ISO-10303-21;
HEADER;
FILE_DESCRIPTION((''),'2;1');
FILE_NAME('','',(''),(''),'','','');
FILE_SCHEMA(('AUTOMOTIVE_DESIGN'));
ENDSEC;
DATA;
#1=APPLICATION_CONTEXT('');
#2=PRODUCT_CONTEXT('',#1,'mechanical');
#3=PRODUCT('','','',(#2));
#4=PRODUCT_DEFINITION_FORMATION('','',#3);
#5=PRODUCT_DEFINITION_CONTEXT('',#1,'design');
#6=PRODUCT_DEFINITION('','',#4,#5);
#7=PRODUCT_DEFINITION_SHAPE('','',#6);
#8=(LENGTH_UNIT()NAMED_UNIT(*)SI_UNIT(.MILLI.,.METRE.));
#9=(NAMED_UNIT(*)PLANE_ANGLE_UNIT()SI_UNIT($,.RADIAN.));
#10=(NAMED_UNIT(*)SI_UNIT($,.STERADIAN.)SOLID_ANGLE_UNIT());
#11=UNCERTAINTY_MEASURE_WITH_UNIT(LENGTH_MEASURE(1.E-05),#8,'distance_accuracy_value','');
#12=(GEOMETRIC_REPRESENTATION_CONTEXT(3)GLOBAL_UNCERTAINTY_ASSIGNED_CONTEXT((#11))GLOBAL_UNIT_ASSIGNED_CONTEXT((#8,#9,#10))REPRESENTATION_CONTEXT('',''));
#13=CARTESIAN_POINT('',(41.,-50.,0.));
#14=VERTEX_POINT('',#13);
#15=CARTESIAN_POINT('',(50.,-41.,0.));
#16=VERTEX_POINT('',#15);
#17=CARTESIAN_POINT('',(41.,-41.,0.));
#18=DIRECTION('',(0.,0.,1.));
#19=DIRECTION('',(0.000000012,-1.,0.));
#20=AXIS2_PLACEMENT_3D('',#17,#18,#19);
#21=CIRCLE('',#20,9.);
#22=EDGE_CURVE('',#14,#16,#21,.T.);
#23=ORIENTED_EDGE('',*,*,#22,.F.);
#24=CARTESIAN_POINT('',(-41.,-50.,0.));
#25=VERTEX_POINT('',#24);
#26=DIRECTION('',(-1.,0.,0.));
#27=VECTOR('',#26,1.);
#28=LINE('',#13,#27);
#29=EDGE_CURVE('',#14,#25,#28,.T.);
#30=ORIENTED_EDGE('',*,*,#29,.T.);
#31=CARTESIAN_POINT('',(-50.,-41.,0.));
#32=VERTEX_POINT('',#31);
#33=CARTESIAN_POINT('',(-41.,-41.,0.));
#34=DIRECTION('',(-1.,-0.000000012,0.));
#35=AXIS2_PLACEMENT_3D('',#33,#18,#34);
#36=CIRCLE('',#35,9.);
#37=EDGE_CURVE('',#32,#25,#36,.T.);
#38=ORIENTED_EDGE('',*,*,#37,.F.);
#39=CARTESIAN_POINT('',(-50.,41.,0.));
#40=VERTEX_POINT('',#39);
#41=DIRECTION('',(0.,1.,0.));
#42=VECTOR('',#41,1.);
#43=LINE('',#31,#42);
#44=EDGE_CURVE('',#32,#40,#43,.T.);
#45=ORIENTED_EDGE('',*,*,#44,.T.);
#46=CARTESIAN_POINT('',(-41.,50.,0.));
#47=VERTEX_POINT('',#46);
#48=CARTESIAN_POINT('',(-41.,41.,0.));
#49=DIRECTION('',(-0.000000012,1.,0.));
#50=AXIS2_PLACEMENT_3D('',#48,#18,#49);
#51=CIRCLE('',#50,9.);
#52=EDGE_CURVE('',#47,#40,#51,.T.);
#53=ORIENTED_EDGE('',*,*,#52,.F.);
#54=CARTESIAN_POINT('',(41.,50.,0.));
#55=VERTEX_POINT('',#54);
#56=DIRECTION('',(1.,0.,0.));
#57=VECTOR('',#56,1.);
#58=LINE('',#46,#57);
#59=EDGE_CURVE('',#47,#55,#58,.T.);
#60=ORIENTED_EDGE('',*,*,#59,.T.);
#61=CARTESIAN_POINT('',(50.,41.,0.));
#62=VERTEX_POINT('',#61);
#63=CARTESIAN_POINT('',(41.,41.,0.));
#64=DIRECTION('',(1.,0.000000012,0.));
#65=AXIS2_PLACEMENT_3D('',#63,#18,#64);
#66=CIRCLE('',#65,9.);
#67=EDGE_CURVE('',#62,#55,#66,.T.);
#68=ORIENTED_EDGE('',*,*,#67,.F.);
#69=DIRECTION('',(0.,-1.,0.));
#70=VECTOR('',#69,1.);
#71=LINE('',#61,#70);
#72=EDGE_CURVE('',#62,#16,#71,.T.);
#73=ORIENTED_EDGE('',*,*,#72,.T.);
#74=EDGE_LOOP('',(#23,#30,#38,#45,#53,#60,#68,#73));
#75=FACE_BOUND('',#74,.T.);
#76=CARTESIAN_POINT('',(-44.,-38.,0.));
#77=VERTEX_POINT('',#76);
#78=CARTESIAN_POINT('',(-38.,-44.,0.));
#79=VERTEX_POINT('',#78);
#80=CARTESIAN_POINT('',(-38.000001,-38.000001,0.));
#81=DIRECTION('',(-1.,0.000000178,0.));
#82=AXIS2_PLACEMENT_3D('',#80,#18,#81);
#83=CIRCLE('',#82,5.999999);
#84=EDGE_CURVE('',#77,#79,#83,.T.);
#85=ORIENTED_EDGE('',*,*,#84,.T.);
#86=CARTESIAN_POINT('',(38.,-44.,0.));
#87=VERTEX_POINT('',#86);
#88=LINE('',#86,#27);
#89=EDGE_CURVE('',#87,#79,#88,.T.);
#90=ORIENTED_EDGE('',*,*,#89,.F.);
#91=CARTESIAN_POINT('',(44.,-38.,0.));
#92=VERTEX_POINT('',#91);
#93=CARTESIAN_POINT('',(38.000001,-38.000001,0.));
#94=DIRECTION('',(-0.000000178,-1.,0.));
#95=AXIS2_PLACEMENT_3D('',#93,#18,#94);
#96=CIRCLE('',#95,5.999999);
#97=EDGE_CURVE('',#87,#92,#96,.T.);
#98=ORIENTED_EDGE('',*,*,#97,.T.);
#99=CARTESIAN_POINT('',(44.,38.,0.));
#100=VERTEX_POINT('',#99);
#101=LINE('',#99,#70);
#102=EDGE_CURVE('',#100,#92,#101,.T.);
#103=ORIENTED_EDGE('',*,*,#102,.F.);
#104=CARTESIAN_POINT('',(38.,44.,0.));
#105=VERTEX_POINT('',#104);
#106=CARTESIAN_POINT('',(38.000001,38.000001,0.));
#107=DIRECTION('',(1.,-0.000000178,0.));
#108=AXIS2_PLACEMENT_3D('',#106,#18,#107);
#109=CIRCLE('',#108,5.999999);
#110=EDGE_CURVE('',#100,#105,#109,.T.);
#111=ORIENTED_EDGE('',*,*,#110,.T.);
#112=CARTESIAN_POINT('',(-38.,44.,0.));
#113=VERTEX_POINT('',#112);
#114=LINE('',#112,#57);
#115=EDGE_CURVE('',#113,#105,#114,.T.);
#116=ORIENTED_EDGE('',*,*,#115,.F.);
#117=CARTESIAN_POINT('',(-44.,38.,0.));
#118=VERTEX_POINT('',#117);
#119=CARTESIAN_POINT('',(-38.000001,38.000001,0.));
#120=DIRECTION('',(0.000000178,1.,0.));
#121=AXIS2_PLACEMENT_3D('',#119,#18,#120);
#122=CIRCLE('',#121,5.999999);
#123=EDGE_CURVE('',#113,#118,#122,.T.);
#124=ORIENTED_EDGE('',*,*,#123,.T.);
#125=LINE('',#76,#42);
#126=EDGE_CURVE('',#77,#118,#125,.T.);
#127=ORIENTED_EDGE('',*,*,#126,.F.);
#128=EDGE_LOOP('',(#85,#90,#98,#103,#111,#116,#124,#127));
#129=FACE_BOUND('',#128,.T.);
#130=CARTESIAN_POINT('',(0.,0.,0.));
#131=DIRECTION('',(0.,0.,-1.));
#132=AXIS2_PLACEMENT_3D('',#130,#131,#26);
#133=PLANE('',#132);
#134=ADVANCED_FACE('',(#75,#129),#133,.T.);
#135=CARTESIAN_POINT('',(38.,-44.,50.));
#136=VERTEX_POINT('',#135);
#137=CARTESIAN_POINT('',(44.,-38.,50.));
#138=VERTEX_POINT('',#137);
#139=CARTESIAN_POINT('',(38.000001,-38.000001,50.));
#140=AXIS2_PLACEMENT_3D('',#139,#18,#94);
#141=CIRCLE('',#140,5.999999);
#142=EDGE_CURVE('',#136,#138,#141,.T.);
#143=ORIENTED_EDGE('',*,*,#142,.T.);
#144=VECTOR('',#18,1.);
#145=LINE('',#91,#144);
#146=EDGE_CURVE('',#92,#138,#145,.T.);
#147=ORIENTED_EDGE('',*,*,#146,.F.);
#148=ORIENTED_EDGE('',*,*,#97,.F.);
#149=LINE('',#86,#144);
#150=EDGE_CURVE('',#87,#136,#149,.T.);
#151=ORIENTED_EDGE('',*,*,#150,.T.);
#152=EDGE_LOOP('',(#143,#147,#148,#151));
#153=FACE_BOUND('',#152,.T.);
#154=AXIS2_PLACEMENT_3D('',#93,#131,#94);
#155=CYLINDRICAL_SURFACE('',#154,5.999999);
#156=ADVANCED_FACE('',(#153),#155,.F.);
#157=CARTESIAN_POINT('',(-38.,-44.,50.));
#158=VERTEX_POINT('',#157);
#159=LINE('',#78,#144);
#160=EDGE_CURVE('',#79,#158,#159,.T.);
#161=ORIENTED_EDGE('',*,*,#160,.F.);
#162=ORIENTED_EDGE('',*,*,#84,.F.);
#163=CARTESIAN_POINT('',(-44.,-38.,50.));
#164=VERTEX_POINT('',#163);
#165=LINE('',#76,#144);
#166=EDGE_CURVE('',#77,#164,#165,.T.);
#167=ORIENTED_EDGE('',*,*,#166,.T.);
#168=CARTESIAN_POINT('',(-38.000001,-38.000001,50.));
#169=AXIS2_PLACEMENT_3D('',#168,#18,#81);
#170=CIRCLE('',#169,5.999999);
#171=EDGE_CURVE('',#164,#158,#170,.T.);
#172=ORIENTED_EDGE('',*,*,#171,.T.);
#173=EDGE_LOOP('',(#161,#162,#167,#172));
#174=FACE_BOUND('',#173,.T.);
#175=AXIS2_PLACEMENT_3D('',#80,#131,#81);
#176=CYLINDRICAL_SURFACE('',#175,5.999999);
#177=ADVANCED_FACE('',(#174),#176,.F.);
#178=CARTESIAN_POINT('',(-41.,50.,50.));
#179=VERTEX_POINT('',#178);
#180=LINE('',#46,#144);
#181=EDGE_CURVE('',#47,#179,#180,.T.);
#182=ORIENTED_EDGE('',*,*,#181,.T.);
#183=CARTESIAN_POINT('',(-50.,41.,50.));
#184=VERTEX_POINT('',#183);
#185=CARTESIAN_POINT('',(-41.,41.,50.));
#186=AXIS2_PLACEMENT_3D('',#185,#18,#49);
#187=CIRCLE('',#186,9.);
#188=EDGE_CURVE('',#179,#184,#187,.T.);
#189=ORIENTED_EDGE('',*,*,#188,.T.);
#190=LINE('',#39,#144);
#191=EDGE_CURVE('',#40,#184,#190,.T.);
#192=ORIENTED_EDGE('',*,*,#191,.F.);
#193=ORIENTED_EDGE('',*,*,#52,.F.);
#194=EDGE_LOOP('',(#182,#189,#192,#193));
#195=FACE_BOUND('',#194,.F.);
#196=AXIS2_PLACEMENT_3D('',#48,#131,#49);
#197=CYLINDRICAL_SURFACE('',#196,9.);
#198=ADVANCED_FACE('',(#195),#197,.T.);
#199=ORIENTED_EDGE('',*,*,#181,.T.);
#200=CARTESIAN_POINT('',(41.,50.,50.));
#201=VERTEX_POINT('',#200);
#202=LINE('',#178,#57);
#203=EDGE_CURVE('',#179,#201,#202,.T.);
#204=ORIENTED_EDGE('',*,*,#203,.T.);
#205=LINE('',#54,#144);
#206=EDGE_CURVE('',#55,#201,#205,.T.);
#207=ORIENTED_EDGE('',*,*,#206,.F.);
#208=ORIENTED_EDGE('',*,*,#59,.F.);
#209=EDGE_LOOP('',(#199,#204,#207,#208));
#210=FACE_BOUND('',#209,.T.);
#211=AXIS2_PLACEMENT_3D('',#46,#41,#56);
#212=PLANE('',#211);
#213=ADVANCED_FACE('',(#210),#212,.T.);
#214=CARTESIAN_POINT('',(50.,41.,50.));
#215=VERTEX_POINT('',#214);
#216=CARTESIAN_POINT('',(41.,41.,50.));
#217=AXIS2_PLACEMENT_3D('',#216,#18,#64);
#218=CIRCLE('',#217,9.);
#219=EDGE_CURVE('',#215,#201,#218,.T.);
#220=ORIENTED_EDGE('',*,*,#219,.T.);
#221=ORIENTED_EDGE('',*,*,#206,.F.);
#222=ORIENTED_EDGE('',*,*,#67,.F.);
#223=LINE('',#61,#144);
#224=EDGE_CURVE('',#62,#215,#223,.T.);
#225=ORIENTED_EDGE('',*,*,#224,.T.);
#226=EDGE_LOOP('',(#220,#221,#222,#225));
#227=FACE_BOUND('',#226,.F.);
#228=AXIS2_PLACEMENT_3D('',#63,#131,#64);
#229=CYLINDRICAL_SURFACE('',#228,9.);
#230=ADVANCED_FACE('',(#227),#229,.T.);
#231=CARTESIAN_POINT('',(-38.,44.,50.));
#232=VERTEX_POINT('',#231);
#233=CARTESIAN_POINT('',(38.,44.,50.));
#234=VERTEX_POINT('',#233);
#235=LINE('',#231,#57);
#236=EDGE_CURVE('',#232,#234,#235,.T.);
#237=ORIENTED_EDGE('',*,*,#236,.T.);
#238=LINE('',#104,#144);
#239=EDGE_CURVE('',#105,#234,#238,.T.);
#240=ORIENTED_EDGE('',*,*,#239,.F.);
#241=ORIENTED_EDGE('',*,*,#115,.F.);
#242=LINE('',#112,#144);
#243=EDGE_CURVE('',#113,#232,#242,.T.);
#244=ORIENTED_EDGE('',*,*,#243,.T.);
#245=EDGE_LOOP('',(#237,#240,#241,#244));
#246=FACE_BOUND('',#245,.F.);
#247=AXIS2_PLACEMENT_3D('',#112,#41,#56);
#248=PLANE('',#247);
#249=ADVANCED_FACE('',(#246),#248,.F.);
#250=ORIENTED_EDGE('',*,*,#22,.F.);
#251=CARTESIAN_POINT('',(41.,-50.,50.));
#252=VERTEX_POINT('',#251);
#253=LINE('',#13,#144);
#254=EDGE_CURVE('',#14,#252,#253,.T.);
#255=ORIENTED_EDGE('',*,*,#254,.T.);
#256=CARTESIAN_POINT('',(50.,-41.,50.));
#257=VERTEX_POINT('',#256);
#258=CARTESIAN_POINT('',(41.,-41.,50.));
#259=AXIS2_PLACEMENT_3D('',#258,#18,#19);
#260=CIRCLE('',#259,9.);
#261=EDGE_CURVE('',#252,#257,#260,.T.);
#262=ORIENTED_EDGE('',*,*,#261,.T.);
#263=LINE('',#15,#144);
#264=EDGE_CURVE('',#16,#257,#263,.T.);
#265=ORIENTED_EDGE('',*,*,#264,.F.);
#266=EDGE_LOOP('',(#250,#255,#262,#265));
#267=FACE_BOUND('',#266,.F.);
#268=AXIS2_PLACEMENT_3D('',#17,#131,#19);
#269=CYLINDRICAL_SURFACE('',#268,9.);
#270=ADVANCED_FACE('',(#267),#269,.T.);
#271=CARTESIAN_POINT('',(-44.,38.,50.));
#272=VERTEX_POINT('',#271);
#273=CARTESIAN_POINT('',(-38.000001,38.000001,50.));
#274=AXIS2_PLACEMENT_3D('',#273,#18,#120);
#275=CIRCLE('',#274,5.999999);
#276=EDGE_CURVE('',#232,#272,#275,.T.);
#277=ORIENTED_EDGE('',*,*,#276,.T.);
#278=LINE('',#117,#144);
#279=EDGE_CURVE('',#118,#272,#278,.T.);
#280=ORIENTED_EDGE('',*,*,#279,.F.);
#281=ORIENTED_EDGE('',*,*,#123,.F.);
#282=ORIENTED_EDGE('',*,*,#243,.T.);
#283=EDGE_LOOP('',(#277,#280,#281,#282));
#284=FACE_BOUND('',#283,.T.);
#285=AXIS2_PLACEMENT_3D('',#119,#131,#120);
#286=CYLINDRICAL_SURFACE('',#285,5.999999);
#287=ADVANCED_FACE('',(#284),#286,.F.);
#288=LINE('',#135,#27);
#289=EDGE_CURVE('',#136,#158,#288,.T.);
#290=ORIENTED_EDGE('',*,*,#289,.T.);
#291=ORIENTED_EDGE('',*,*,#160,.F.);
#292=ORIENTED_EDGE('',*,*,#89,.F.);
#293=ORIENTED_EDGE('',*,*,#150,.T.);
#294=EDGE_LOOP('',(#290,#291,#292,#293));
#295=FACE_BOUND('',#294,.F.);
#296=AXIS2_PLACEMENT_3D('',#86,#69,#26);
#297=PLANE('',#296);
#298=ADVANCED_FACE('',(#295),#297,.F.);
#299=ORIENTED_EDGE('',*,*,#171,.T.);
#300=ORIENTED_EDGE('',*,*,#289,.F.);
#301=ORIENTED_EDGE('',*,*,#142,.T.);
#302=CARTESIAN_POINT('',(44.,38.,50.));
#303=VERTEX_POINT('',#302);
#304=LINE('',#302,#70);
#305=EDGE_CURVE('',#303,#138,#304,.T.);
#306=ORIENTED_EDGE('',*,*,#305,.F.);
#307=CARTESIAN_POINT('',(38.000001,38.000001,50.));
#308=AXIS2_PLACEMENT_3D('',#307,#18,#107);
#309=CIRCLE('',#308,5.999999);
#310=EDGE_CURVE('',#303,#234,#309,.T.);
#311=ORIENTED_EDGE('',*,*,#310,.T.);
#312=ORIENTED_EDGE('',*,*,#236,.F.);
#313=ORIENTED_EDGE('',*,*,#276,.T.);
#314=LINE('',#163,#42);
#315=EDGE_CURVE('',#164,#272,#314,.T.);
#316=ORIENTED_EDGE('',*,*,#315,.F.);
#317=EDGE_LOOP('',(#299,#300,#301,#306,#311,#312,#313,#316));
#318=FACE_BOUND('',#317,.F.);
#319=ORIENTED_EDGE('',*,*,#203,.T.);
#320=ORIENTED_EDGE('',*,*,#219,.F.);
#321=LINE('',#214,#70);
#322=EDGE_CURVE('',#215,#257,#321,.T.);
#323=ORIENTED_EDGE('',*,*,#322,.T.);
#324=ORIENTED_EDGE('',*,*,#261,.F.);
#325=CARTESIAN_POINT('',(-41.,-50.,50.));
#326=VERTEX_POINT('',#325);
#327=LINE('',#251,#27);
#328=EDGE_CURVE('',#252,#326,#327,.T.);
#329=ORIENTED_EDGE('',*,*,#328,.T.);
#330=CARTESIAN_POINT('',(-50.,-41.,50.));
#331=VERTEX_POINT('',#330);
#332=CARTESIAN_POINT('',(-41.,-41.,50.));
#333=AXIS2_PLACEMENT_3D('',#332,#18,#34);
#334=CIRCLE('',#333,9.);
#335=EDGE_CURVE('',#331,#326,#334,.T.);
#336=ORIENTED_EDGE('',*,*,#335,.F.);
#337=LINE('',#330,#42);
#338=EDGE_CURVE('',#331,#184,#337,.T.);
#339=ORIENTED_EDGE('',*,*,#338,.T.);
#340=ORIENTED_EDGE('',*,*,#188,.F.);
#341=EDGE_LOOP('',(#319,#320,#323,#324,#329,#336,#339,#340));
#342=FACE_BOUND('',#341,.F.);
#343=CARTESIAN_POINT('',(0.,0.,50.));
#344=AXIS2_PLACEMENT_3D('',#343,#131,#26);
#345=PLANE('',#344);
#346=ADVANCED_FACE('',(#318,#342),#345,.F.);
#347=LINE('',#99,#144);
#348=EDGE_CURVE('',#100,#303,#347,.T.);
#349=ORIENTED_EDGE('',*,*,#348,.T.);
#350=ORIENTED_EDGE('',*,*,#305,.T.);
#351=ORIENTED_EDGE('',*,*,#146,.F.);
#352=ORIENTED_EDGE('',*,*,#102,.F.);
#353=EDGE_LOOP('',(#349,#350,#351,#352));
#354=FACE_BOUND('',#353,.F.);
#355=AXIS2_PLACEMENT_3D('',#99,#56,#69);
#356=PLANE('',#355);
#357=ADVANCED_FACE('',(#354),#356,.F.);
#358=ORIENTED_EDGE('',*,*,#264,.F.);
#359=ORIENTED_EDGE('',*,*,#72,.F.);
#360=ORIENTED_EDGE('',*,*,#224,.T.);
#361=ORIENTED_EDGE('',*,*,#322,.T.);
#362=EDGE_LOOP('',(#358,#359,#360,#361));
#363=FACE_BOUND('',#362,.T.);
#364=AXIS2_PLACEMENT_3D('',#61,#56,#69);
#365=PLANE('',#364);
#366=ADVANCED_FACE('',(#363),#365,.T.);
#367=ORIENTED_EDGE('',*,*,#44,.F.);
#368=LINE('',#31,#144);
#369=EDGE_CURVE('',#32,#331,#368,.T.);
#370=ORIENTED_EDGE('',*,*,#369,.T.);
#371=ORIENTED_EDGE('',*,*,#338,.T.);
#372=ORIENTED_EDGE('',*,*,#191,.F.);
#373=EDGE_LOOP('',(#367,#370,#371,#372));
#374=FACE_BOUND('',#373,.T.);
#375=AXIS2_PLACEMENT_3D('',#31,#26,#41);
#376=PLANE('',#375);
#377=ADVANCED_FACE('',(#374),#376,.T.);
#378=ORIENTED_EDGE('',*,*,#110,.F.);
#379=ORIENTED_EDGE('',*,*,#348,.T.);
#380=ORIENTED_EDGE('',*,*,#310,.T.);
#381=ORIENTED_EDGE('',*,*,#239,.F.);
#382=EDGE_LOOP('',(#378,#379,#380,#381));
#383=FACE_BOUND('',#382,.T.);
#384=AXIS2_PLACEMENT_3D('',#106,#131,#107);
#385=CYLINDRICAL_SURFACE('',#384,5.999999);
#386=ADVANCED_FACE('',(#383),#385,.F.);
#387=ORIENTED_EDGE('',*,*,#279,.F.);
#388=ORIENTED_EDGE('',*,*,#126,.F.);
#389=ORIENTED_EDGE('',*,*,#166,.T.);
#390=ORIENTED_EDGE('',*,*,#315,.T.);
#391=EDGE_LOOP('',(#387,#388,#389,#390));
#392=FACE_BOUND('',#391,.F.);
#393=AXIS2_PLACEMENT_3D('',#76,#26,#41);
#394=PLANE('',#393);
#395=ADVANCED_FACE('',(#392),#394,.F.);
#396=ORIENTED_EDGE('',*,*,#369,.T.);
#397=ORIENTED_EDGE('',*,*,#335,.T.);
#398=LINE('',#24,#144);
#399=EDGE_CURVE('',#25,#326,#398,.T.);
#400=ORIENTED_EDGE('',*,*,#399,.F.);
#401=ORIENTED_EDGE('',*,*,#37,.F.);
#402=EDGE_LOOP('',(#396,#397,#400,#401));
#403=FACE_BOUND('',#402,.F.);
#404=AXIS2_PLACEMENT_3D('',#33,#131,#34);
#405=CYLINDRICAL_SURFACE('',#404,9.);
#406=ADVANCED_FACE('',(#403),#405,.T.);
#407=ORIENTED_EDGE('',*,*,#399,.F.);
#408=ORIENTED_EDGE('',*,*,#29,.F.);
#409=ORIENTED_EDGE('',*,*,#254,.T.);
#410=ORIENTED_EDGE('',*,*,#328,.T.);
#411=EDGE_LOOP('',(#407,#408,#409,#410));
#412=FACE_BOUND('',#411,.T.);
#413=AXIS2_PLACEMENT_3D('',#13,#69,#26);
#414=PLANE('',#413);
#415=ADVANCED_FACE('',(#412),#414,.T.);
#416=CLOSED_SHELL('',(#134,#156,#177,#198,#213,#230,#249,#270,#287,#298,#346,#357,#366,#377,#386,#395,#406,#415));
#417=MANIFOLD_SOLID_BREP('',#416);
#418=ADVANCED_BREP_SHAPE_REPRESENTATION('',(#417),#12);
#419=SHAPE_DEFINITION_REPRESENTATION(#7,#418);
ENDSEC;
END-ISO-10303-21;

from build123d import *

# Parameters (mm, degrees)
EXTRUDE_DEPTH = 50


with BuildPart() as part:
    # Sketch → Extrude (new body)
    with BuildSketch(Plane.XY):
        with BuildLine():
            Line((-41, 50), (41, 50))
            ThreePointArc((50, 41), (47.363961, 47.363961), (41, 50))
            Line((50, 41), (50, -41))
            ThreePointArc((41, -50), (47.363961, -47.363961), (50, -41))
            Line((41, -50), (-41, -50))
            ThreePointArc((-50, -41), (-47.363961, -47.363961), (-41, -50))
            Line((-50, -41), (-50, 41))
            ThreePointArc((-41, 50), (-47.363961, 47.363961), (-50, 41))
        make_face()
        with BuildLine():
            Line((-38, 44), (38, 44))
            ThreePointArc((44, 38), (42.242641, 42.242641), (38, 44))
            Line((44, 38), (44, -38))
            ThreePointArc((38, -44), (42.242641, -42.242641), (44, -38))
            Line((38, -44), (-38, -44))
            ThreePointArc((-44, -38), (-42.242641, -42.242641), (-38, -44))
            Line((-44, -38), (-44, 38))
            ThreePointArc((-38, 44), (-42.242641, 42.242641), (-44, 38))
        make_face(mode=Mode.SUBTRACT)
    extrude(amount=EXTRUDE_DEPTH)


solid = part.part
